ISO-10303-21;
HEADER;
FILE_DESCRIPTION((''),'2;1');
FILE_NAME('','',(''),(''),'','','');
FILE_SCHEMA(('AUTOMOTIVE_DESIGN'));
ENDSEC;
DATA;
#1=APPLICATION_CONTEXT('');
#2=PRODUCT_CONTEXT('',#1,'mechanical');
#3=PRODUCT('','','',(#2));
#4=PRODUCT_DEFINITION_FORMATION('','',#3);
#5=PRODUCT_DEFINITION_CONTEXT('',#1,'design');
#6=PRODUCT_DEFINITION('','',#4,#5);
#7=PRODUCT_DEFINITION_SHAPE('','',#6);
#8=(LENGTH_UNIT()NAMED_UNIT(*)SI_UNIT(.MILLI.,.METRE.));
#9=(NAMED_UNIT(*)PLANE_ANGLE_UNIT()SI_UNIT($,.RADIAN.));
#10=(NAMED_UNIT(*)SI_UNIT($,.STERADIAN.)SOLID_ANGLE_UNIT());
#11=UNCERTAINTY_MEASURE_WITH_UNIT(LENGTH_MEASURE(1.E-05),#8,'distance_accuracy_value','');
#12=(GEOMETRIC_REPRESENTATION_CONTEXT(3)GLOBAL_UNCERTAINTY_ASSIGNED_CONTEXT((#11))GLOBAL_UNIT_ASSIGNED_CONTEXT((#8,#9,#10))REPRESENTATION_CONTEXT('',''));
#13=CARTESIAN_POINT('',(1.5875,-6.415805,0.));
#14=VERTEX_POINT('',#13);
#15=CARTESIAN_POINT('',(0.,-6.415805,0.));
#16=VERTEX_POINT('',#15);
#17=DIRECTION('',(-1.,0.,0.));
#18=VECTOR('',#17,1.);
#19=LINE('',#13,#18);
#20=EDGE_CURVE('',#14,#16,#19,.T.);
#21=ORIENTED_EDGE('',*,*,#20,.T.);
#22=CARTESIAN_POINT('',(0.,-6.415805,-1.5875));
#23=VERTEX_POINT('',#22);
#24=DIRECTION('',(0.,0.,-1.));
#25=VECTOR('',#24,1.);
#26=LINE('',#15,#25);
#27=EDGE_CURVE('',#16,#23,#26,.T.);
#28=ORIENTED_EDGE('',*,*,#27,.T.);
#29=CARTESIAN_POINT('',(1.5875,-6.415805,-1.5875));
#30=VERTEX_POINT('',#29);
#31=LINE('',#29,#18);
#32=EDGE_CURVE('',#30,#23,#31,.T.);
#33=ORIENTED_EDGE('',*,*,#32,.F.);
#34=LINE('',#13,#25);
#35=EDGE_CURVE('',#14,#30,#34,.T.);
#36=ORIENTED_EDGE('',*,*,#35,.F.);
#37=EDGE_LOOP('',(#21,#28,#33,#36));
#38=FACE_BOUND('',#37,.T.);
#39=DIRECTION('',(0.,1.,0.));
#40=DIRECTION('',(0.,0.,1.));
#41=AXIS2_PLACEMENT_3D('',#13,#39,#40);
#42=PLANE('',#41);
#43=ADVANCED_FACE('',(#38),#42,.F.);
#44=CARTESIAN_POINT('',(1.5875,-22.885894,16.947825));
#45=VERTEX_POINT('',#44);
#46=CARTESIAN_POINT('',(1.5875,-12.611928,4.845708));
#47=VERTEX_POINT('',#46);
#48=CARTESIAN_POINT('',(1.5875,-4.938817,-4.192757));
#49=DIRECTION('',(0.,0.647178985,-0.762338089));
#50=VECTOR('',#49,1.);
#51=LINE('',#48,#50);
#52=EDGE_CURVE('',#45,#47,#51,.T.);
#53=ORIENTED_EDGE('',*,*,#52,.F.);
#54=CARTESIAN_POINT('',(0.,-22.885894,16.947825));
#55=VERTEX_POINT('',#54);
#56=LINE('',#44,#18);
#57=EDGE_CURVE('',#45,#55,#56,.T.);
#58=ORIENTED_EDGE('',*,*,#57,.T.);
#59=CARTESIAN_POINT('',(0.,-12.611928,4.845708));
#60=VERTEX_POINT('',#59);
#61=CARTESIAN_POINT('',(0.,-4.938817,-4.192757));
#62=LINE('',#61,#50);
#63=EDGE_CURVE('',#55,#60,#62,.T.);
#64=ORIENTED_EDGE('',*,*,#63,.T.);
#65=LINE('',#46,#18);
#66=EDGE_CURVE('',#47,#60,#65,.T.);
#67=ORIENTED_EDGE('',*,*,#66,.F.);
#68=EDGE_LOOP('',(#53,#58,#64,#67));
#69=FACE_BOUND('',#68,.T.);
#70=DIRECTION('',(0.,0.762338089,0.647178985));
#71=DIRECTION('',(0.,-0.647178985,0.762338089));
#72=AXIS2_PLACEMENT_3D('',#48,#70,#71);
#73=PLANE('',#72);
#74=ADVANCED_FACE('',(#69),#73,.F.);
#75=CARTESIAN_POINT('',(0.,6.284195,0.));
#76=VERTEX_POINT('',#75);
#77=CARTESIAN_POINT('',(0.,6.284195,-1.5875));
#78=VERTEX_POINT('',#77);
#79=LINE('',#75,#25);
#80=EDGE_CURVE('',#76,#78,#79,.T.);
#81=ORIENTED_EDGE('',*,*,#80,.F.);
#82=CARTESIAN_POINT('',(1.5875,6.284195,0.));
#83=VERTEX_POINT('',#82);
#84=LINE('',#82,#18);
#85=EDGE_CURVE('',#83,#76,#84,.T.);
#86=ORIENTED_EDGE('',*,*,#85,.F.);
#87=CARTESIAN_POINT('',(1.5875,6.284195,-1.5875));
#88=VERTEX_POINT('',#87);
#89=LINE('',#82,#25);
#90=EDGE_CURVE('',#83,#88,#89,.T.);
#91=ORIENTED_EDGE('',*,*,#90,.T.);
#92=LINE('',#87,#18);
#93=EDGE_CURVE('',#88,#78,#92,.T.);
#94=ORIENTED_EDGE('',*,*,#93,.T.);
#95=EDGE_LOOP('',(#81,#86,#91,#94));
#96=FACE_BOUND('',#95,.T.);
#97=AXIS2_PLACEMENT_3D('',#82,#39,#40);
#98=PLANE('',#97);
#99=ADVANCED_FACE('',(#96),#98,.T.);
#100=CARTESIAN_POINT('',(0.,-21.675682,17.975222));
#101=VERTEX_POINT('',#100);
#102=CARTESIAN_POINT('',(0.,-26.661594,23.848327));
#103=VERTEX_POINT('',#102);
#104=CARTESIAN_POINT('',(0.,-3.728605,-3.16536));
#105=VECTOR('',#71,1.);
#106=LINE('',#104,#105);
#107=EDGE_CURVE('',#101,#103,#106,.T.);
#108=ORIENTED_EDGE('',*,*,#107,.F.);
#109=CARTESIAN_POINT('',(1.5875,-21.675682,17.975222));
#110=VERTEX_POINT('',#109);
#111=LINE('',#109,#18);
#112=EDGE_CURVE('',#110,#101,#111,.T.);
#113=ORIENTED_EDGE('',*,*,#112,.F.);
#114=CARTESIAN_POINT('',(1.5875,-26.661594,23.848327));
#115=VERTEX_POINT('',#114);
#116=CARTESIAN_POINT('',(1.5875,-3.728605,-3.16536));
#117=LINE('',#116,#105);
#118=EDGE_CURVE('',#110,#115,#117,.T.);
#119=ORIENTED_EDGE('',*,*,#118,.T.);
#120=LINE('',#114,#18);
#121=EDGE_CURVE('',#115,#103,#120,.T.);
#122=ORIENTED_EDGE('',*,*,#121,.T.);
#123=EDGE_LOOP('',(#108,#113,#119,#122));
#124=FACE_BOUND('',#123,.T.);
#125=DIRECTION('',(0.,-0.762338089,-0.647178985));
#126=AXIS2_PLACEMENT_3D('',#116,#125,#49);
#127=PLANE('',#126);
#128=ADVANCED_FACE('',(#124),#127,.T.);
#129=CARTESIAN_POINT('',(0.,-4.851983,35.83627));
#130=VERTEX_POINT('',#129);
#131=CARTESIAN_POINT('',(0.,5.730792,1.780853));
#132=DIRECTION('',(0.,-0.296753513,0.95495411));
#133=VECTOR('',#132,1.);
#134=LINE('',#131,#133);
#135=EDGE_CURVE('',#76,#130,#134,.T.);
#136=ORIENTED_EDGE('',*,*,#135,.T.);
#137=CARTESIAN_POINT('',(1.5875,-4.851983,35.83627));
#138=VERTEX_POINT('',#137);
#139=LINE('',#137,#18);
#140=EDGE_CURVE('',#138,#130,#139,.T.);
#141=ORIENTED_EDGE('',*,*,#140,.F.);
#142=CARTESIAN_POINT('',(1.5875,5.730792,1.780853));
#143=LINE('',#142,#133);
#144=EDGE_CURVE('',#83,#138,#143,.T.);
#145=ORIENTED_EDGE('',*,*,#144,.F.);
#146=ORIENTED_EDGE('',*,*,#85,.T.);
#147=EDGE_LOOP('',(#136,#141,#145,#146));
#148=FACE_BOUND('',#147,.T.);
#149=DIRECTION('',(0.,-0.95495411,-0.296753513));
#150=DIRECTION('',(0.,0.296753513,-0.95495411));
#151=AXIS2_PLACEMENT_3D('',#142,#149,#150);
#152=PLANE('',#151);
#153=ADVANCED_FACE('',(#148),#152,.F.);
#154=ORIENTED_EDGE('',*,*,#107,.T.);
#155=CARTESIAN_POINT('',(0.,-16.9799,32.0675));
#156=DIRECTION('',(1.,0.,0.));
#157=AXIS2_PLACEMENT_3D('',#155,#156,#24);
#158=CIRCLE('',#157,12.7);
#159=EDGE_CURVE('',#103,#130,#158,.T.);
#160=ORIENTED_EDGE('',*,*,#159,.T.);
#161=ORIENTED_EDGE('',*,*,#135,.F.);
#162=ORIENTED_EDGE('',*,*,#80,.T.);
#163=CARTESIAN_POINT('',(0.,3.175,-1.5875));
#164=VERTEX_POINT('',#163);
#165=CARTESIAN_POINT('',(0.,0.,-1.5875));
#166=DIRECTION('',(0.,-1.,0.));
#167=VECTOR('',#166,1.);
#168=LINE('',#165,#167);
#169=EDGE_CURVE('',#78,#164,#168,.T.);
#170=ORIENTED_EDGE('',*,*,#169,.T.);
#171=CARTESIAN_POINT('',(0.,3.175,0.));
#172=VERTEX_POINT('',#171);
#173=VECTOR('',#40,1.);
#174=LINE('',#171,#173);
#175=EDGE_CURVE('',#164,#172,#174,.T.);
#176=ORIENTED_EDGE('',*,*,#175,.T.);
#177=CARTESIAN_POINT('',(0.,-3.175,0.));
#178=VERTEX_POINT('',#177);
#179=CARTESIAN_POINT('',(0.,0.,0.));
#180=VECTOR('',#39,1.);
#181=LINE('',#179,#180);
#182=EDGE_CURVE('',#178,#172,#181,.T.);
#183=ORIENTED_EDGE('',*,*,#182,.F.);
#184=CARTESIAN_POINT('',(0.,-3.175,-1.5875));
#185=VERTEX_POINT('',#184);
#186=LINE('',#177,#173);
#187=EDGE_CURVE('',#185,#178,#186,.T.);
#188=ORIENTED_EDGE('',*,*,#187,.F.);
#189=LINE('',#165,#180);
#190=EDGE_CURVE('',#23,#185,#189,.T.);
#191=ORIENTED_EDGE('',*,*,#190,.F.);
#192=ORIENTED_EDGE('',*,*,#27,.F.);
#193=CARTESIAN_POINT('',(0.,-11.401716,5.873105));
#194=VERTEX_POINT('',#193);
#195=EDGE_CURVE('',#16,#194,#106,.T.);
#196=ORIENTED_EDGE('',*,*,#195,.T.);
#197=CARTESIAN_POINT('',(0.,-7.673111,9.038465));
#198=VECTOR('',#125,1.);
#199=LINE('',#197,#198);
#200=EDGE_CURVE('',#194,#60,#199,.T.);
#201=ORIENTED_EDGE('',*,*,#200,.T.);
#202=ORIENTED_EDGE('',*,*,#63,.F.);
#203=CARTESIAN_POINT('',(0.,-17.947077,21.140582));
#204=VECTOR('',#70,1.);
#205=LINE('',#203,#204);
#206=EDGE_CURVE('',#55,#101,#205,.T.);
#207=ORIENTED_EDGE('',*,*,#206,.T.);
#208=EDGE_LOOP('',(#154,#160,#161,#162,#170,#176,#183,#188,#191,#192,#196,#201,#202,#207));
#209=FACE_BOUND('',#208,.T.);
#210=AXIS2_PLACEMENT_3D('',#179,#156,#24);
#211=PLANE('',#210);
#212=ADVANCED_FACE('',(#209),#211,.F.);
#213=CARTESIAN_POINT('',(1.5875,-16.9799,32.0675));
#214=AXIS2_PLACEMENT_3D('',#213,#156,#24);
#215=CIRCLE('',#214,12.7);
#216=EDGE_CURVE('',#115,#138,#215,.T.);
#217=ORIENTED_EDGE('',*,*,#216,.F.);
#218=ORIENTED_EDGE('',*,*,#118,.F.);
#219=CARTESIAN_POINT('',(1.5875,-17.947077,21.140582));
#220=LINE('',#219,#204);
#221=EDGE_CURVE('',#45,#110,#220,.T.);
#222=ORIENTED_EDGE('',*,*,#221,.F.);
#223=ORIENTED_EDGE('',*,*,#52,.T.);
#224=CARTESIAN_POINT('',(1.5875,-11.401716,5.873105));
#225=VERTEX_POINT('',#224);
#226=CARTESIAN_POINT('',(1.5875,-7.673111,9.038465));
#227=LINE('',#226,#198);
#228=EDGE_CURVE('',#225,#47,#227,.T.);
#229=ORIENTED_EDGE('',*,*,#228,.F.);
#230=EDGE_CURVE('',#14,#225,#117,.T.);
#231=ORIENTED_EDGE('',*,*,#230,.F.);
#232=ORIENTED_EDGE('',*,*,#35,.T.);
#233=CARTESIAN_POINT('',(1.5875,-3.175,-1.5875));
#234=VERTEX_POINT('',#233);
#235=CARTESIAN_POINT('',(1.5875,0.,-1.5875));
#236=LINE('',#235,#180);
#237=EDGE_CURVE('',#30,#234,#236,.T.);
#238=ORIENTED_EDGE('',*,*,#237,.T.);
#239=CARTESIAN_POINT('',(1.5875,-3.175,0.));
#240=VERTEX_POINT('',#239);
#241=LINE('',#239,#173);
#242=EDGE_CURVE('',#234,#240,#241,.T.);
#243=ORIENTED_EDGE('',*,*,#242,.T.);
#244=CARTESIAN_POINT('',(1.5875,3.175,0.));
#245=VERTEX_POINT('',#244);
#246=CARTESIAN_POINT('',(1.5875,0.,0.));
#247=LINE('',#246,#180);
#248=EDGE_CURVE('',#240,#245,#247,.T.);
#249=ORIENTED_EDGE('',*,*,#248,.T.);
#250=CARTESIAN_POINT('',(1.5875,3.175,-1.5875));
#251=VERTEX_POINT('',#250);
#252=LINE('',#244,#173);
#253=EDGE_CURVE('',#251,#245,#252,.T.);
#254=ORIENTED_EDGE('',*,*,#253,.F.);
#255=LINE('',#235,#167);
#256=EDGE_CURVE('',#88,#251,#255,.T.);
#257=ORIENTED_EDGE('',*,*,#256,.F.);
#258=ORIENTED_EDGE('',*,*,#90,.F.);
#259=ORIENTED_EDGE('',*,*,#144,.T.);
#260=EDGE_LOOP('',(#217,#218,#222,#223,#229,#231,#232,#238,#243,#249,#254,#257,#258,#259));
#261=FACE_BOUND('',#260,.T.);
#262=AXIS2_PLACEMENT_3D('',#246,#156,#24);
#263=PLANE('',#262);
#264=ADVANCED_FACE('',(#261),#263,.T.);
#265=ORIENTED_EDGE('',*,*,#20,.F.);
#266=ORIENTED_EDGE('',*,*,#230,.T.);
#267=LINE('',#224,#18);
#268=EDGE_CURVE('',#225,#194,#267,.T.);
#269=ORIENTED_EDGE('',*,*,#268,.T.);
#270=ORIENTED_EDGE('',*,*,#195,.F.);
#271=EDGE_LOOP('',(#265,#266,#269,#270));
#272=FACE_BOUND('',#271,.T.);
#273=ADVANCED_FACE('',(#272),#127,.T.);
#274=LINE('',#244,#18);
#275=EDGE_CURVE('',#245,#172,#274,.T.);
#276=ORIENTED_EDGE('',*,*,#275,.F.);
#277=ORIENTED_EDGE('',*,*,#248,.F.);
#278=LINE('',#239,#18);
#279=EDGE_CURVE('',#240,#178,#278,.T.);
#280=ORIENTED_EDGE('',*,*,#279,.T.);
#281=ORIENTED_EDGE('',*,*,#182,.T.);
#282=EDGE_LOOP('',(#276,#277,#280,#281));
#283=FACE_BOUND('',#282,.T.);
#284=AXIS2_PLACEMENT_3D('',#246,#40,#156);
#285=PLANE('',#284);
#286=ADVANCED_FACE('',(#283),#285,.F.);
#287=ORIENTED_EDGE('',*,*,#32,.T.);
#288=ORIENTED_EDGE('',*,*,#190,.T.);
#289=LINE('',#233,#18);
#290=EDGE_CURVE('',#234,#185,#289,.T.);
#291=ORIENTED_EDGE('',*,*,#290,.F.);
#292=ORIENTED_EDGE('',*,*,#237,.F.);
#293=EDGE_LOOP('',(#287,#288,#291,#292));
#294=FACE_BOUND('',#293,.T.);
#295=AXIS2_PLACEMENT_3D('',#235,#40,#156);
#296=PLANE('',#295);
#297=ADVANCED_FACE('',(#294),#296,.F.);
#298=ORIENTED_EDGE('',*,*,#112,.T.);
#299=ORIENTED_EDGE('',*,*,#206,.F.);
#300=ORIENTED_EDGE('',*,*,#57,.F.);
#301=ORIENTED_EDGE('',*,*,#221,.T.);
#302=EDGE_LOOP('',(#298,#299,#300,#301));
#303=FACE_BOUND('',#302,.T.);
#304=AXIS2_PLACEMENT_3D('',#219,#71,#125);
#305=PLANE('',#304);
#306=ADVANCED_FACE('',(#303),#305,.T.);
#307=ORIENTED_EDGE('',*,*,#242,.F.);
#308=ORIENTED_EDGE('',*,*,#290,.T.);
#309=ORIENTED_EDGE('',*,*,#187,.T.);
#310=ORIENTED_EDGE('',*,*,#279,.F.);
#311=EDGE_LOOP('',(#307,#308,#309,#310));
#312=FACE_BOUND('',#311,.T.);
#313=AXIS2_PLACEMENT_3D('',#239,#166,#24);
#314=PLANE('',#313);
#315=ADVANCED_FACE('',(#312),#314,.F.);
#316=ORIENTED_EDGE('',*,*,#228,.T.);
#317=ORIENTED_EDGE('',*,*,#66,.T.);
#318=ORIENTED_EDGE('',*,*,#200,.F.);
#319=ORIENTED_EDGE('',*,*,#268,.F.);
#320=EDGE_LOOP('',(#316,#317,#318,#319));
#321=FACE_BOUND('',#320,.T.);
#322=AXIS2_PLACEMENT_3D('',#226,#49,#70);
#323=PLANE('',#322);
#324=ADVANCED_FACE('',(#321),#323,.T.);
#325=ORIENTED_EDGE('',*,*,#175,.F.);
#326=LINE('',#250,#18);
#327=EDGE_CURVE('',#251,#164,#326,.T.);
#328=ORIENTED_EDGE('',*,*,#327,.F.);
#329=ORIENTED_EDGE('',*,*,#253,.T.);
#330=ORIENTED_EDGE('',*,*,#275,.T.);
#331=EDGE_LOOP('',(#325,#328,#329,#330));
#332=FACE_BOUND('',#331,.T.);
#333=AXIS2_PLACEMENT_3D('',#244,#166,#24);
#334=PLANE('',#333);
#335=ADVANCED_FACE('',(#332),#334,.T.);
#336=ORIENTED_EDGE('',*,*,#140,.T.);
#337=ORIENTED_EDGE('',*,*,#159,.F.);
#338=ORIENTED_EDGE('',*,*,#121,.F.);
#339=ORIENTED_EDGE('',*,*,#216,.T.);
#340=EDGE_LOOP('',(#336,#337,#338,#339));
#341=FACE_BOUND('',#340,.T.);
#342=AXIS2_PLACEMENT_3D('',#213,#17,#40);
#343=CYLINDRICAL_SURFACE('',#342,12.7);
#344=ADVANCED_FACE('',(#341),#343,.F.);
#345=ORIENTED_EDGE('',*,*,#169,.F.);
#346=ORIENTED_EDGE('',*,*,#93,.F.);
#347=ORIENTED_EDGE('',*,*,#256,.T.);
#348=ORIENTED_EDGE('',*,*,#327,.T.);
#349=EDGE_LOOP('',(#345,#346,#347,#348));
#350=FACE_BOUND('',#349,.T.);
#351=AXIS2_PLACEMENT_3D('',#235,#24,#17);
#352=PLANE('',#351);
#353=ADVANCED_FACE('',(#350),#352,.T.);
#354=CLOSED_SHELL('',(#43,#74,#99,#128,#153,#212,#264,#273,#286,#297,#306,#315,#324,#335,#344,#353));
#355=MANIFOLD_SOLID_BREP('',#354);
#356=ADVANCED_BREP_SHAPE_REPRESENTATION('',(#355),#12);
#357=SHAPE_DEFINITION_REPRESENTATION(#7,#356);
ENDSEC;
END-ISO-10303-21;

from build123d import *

# Parameters (mm, degrees)
SKETCH1_W           = 1.5875
SKETCH1_H           = 3.109195134
SKETCH1_H_2         = 3.240804866
BOSS_EXTRUDE1_DEPTH = 1.5875


with BuildPart() as part:
    # Sketch1 → Boss-Extrude1 (new body)
    with BuildSketch(Plane(origin=(0, 0, 0), x_dir=(0, 0, -1), z_dir=(1, 0, 0))):
        with BuildLine():
            ThreePointArc((-23.848326893, -26.661593728), (-20.937975975, -10.862409095), (-35.836269612, -4.8519828))
            Line((-35.836269612, -4.8519828), (0, 6.284195134))
            Line((0, 6.284195134), (0, -6.415804866))
            Line((0, -6.415804866), (-23.848326893, -26.661593728))
        make_face()
        with Locations((0.79375, 4.729597567)):
            Rectangle(SKETCH1_W, SKETCH1_H)
        with Locations((0.79375, -4.795402433)):
            Rectangle(SKETCH1_W, SKETCH1_H_2)
        Polygon((-4.845708228, -12.611927822), (-5.873104867, -11.401716106), (-17.975222027, -21.675682489), (-16.947825388, -22.885894205), align=None)
    extrude(amount=BOSS_EXTRUDE1_DEPTH)


solid = part.part
